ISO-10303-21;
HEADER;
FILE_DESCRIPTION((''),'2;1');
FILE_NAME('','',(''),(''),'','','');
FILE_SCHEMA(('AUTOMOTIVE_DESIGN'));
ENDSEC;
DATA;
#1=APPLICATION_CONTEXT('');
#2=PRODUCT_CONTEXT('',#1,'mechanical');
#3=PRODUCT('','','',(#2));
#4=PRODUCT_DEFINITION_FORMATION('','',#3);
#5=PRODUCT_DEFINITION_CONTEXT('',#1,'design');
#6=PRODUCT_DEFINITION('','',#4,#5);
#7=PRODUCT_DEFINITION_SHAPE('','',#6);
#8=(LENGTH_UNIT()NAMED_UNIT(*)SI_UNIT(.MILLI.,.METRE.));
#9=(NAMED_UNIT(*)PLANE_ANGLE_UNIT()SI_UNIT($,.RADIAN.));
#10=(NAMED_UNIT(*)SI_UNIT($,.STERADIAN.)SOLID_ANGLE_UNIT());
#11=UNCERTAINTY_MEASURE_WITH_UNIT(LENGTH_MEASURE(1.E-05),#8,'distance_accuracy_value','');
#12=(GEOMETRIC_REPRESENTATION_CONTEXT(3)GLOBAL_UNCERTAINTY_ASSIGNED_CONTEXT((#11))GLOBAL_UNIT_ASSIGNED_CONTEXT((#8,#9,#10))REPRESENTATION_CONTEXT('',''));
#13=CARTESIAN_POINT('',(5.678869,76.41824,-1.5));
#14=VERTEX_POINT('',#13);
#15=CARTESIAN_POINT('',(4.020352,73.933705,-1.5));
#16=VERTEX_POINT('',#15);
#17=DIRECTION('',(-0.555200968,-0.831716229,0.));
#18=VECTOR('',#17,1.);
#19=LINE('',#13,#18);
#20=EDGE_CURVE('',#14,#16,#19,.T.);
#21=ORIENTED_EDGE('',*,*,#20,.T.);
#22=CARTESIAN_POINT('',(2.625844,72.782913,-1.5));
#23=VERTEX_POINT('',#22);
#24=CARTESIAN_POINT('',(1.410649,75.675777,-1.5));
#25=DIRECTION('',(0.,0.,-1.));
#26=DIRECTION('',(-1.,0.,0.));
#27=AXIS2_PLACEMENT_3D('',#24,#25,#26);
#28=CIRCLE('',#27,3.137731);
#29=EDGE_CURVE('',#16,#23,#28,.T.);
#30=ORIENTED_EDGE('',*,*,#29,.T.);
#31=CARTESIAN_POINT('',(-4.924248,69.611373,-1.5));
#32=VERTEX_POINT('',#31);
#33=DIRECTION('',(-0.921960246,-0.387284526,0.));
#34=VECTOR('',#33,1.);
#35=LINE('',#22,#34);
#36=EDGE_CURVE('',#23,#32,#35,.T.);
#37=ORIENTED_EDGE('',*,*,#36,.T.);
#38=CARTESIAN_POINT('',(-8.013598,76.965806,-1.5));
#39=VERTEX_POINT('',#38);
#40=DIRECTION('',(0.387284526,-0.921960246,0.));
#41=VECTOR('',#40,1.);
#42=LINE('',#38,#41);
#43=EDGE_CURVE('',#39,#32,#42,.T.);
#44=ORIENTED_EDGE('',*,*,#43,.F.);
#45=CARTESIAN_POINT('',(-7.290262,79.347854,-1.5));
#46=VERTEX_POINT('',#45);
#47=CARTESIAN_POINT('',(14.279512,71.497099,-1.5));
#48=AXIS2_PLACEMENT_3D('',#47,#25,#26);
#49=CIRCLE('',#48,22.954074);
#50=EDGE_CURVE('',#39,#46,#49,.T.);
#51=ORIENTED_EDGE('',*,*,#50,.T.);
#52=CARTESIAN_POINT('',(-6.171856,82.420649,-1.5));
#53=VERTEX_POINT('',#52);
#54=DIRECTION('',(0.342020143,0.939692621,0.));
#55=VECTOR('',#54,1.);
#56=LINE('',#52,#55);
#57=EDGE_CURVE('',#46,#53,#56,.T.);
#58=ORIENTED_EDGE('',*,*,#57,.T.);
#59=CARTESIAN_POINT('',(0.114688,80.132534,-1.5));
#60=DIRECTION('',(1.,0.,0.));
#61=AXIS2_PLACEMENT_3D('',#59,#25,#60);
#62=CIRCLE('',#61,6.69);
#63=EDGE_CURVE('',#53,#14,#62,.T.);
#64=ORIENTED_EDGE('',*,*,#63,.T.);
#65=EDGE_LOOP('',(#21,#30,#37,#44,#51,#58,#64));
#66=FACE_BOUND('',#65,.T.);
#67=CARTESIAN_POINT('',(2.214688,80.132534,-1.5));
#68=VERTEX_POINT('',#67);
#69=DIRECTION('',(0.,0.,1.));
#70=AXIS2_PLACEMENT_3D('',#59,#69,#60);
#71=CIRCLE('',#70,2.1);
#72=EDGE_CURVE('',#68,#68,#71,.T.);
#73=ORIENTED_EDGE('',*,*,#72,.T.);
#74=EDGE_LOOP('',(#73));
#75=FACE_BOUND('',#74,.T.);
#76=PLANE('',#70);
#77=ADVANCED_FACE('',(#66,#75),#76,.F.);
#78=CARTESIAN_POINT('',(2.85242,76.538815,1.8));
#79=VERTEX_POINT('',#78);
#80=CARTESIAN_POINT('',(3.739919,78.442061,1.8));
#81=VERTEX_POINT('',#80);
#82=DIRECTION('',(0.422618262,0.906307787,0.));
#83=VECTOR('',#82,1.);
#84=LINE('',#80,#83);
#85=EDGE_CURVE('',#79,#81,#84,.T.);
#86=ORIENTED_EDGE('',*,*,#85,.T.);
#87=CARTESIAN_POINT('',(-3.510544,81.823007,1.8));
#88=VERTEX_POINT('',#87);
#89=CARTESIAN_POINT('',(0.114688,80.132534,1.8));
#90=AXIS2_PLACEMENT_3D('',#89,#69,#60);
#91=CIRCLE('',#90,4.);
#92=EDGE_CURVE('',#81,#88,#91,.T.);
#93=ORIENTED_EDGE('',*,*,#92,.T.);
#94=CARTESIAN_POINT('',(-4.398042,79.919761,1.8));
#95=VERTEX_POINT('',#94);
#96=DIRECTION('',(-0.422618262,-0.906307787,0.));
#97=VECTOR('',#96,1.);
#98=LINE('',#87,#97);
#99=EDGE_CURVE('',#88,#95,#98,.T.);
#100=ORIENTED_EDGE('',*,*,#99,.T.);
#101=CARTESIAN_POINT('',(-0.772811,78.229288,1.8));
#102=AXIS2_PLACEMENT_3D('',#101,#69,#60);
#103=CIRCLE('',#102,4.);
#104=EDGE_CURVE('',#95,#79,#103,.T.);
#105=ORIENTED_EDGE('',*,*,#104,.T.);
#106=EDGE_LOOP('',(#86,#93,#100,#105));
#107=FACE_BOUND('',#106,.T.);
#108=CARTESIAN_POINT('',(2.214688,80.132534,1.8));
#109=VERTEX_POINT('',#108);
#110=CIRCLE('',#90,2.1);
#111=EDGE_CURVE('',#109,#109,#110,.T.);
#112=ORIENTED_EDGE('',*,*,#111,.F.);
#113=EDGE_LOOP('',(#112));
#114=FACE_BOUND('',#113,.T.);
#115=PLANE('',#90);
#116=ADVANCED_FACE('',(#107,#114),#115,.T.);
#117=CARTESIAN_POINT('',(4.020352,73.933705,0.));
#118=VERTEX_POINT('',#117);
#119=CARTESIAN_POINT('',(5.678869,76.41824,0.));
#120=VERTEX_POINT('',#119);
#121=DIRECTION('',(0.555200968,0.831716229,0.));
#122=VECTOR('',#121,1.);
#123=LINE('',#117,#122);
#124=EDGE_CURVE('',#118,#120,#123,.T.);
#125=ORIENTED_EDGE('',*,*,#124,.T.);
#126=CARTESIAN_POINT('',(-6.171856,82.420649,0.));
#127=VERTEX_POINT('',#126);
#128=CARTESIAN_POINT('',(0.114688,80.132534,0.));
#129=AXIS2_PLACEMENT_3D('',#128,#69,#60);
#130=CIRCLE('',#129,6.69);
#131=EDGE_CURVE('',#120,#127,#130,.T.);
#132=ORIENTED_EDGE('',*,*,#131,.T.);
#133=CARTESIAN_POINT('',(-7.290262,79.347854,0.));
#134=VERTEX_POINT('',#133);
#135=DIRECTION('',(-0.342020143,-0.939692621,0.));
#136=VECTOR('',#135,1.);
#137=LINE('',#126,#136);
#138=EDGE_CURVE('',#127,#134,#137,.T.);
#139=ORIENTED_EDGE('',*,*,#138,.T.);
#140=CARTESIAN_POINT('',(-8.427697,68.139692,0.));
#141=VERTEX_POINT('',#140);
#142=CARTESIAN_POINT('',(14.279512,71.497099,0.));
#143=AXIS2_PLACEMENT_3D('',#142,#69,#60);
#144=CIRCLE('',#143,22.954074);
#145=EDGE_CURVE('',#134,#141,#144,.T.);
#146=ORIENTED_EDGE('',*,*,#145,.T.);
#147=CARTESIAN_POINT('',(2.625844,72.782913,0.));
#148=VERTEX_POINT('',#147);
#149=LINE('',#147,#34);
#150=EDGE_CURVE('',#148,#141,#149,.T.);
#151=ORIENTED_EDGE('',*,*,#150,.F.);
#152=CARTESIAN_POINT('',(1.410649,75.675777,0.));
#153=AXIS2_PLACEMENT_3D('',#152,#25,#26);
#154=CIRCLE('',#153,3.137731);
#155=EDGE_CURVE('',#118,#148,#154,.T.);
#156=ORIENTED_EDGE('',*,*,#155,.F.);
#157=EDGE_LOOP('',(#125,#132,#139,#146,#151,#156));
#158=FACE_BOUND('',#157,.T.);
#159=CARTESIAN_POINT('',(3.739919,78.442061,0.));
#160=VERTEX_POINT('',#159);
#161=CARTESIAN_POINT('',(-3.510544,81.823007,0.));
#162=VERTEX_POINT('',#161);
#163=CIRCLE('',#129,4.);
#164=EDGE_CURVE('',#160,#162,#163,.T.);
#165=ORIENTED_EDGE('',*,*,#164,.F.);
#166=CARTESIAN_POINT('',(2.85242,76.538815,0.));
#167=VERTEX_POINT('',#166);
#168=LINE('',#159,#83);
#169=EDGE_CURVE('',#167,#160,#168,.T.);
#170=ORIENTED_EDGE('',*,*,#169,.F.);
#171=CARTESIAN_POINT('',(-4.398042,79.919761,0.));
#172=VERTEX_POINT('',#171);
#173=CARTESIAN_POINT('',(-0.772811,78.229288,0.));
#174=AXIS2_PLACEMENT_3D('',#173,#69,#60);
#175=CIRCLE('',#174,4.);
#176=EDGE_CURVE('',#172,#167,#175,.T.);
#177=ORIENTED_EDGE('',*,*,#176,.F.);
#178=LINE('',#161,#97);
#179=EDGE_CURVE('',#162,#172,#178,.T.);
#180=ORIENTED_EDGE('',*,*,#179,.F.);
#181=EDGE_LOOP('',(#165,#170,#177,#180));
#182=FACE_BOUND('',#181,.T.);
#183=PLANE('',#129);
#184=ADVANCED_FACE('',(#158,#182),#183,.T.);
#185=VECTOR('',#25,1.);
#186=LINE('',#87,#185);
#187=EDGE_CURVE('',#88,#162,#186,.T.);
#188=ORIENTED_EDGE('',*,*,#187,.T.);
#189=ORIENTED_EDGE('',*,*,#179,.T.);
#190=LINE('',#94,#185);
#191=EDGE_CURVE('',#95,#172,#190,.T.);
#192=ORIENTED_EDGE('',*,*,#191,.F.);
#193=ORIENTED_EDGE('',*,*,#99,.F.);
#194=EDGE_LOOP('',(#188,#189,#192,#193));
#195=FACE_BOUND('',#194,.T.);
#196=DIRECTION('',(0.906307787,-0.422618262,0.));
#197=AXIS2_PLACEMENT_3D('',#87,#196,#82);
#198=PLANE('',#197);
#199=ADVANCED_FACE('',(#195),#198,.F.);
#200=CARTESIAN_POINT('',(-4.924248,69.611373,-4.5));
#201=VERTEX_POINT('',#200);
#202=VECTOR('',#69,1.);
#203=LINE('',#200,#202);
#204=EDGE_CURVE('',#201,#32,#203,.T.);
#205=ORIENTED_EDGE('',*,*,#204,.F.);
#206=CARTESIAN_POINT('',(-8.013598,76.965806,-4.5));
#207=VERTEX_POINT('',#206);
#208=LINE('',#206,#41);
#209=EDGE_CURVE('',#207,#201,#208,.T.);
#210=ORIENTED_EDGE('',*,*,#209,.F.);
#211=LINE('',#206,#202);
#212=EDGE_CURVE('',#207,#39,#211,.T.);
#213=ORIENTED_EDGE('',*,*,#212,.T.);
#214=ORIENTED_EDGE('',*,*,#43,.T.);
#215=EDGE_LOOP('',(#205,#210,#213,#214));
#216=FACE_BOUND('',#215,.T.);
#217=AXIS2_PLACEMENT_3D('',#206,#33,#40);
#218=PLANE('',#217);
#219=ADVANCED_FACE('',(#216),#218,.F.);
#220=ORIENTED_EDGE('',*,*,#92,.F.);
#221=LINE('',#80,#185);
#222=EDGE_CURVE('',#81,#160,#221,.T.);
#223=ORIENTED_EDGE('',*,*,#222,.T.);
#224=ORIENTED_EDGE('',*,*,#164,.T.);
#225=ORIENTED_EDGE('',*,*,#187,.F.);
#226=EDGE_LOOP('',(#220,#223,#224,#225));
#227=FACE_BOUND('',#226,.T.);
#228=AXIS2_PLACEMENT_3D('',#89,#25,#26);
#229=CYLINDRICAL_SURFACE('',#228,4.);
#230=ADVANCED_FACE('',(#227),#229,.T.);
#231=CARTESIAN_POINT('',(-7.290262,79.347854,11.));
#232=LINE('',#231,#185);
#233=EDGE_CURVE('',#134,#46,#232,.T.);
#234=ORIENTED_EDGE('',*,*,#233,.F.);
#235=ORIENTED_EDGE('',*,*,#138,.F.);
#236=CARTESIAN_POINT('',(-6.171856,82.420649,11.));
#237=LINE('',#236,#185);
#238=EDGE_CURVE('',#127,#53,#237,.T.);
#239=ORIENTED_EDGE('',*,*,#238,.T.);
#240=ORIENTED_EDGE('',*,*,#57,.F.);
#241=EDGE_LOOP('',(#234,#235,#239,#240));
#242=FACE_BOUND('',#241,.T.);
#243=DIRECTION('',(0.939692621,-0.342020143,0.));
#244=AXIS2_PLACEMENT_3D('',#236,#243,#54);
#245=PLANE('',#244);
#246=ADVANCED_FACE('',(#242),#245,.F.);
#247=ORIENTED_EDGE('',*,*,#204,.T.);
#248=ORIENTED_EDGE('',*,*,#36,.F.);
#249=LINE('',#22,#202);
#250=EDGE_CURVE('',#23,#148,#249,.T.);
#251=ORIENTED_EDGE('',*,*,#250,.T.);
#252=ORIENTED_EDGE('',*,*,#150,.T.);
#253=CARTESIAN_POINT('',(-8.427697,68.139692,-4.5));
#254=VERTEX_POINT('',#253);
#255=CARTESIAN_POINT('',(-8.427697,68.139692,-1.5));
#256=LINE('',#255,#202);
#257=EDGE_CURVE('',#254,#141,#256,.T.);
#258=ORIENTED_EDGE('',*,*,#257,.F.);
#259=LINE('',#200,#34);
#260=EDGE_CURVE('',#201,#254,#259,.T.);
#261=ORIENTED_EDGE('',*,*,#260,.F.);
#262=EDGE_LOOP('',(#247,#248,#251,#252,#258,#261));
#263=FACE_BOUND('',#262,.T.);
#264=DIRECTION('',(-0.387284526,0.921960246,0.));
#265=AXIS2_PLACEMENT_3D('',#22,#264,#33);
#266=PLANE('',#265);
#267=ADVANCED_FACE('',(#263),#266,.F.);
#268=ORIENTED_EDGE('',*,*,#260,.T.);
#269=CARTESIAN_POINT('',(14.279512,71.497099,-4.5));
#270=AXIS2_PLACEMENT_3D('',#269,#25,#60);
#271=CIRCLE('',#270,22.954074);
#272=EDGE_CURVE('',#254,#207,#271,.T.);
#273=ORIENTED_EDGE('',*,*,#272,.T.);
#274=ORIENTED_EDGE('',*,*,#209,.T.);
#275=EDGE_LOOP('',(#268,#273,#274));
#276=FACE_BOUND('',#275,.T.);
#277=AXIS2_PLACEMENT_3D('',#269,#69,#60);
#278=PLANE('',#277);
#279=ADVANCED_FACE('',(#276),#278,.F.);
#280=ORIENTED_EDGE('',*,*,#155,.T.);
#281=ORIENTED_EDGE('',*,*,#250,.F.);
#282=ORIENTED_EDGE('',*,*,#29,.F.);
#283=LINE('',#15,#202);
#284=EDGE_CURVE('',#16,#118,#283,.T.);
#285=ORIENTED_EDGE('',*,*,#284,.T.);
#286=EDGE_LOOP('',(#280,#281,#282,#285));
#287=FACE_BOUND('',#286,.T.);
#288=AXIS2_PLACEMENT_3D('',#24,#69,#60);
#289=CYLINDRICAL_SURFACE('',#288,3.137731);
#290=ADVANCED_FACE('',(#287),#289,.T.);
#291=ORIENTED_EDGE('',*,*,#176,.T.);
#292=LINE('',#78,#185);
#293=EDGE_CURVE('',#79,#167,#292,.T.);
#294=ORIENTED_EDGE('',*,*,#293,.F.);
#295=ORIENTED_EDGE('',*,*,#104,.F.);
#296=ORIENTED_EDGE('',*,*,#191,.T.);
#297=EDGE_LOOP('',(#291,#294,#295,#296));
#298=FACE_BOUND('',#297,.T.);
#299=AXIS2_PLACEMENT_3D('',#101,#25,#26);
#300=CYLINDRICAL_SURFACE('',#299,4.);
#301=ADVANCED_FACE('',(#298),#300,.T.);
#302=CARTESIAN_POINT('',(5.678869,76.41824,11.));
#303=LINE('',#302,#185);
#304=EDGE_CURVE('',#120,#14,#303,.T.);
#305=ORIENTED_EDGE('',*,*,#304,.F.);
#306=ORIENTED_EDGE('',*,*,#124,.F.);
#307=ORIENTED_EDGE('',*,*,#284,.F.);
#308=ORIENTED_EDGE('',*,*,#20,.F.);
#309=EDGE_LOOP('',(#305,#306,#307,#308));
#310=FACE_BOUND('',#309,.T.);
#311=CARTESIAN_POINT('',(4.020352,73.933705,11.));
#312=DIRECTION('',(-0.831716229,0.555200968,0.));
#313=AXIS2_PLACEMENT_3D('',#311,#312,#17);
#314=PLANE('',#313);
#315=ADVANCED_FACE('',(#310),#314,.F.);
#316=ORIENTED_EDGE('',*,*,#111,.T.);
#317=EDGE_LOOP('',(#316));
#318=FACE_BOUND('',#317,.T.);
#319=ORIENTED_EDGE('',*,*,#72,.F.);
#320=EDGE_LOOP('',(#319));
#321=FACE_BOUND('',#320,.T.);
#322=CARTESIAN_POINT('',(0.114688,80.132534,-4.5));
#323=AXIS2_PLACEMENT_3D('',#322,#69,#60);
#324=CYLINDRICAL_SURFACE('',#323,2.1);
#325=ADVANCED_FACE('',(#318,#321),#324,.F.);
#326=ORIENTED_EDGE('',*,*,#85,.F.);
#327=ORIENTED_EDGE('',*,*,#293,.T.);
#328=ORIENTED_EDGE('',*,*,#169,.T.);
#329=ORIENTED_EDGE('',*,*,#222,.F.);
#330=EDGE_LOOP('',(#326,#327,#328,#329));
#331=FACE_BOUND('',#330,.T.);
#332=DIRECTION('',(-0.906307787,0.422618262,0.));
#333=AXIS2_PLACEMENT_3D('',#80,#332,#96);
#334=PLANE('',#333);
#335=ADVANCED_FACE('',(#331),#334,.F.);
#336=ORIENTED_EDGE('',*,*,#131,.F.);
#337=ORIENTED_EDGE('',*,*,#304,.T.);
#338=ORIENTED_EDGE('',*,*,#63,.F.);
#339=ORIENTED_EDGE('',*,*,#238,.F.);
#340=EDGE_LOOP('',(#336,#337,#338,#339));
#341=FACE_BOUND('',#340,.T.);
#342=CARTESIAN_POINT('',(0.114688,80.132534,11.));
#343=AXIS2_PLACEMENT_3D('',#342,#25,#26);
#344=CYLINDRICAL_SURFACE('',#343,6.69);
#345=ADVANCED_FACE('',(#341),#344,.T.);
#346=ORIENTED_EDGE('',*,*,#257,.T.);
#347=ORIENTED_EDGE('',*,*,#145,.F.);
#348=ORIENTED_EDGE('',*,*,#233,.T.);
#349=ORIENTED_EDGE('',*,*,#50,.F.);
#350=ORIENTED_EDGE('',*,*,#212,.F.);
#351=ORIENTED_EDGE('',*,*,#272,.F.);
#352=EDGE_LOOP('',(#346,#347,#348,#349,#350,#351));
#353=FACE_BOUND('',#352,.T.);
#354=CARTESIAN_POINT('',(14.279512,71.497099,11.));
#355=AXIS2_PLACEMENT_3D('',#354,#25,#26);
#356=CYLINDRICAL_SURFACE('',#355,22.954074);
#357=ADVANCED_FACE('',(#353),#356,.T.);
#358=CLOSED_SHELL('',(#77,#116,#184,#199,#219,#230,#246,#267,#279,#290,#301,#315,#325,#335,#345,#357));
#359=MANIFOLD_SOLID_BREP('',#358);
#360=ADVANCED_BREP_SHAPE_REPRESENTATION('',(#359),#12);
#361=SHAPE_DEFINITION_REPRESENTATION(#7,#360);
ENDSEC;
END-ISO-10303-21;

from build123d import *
from build123d.topology import SkipClean

# Parameters (mm, degrees)
SKETCH3_R           = 2.75
SKETCH3_R_2         = 2.1
BOSS_EXTRUDE2_DEPTH = 11
BOSS_EXTRUDE4_START = 1.5
BOSS_EXTRUDE4_DEPTH = 1.5
BOSS_EXTRUDE3_START = 3
BOSS_EXTRUDE3_DEPTH = 3
SKETCH14_W          = 47.285712055
SKETCH14_H          = 12.595473758
CUT_EXTRUDE1_DEPTH  = 92.326119258
BOSS_EXTRUDE5_DEPTH = 1.8
SKETCH15_R          = 2.1
CUT_EXTRUDE2_DEPTH  = 88.481943873


with BuildPart() as part:
    # Sketch3 → Boss-Extrude2 (new body)
    with BuildSketch(Plane.XY):
        with BuildLine():
            Line((11.81639044, 60.252883085), (11.728372068, 60.311638564))
            ThreePointArc((11.728372068, 60.311638564), (8.917204522, 62.7925154), (6.866230988, 65.931132995))
            ThreePointArc((6.866230988, 65.931132995), (6.025591445, 67.274340702), (4.901176311, 68.390840765))
            ThreePointArc((4.901176311, 68.390840765), (3.375934297, 70.989881123), (4.020351516, 73.93370524))
            Line((4.020351516, 73.93370524), (5.678869184, 76.41823992))
            ThreePointArc((5.678869184, 76.41823992), (3.137547336, 86.100651278), (-6.171856019, 82.420649156))
            Line((-6.171856019, 82.420649156), (-7.290261888, 79.347854286))
            ThreePointArc((-7.290261888, 79.347854286), (-8.557893098, 69.185727028), (-5.279809822, 59.483671095))
            ThreePointArc((-5.279809822, 59.483671095), (-2.848156457, 57.139360441), (0.414833066, 56.266646336))
            ThreePointArc((0.414833066, 56.266646336), (3.287818882, 55.822166382), (5.91364728, 54.574514525))
            Line((5.91364728, 54.574514525), (7.374782695, 53.599153256))
            ThreePointArc((7.374782695, 53.599153256), (10.815902262, 50.678650143), (13.499590609, 47.049812979))
            ThreePointArc((13.499590609, 47.049812979), (24.965953819, 46.665736496), (20.21385057, 57.108078892))
            ThreePointArc((20.21385057, 57.108078892), (15.833272198, 58.194897845), (11.81639044, 60.252883085))
        make_face()
        with Locations((19.351869275, 50.413343031)):
            Circle(SKETCH3_R, mode=Mode.SUBTRACT)
        with Locations((0.471910886, 63.016405008)):
            Circle(SKETCH3_R, mode=Mode.SUBTRACT)
        with Locations((0.114687614, 80.132534397)):
            Circle(SKETCH3_R_2, mode=Mode.SUBTRACT)
    extrude(amount=BOSS_EXTRUDE2_DEPTH)

    # Sketch13 → Boss-Extrude4 (add)
    with SkipClean():  # the faces are left unmerged after this step: merging them gives an invalid solid
        with BuildSketch(Plane(origin=(0, 0, 0), x_dir=(-1, 0, 0), z_dir=(0, 0, -1)).offset(BOSS_EXTRUDE4_START)):
            with BuildLine():
                Line((-5.678869184, 76.41823992), (-4.020351516, 73.93370524))
                ThreePointArc((-4.020351516, 73.93370524), (-3.407782277, 73.255690271), (-2.625844204, 72.782913134))
                Line((-2.625844204, 72.782913134), (8.427696777, 68.139691908))
                ThreePointArc((8.427696777, 68.139691908), (8.557268078, 73.814637343), (7.290261888, 79.347854286))
                Line((7.290261888, 79.347854286), (6.171856019, 82.420649156))
                ThreePointArc((6.171856019, 82.420649156), (-3.137547336, 86.100651278), (-5.678869184, 76.41823992))
            make_face()
        extrude(amount=-BOSS_EXTRUDE4_DEPTH)

    # Sketch12 → Boss-Extrude3 (add)
    with SkipClean():  # the faces are left unmerged after this step: merging them gives an invalid solid
        with BuildSketch(Plane(origin=(0, 0, -1.5), x_dir=(-1, 0, 0), z_dir=(0, 0, -1)).offset(BOSS_EXTRUDE3_START)):
            with BuildLine():
                Line((8.013597957, 76.965805827), (4.924247842, 69.611373108))
                Line((4.924247842, 69.611373108), (8.427696777, 68.139691908))
                ThreePointArc((8.427696777, 68.139691908), (8.649339764, 72.572862025), (8.013597957, 76.965805827))
            make_face()
        extrude(amount=-BOSS_EXTRUDE3_DEPTH)

    # Sketch14 → Cut-Extrude1 (cut, through all)
    with BuildSketch(Plane(origin=(0, 0, 0), x_dir=(1, 0, 0), z_dir=(0, 1, 0))):
        with Locations((8.412006537, -6.297736879)):
            Rectangle(SKETCH14_W, SKETCH14_H)
    extrude(amount=CUT_EXTRUDE1_DEPTH, mode=Mode.SUBTRACT)

    # Sketch16 → Boss-Extrude5 (add)
    with BuildSketch(Plane.XY):
        with BuildLine():
            Line((3.739918762, 78.44206135), (2.852420412, 76.538814997))
            ThreePointArc((2.852420412, 76.538814997), (-2.463283783, 74.604056896), (-4.398041884, 79.919761091))
            Line((-4.398041884, 79.919761091), (-3.510543534, 81.823007444))
            ThreePointArc((-3.510543534, 81.823007444), (1.805160661, 83.757765545), (3.739918762, 78.44206135))
        make_face()
    extrude(amount=BOSS_EXTRUDE5_DEPTH)

    # Sketch15 → Cut-Extrude2 (cut, through all)
    with BuildSketch(Plane.XY.offset(1.8)):
        with Locations((0.114687614, 80.132534397)):
            Circle(SKETCH15_R)
    extrude(amount=-CUT_EXTRUDE2_DEPTH, mode=Mode.SUBTRACT)


solid = part.part
